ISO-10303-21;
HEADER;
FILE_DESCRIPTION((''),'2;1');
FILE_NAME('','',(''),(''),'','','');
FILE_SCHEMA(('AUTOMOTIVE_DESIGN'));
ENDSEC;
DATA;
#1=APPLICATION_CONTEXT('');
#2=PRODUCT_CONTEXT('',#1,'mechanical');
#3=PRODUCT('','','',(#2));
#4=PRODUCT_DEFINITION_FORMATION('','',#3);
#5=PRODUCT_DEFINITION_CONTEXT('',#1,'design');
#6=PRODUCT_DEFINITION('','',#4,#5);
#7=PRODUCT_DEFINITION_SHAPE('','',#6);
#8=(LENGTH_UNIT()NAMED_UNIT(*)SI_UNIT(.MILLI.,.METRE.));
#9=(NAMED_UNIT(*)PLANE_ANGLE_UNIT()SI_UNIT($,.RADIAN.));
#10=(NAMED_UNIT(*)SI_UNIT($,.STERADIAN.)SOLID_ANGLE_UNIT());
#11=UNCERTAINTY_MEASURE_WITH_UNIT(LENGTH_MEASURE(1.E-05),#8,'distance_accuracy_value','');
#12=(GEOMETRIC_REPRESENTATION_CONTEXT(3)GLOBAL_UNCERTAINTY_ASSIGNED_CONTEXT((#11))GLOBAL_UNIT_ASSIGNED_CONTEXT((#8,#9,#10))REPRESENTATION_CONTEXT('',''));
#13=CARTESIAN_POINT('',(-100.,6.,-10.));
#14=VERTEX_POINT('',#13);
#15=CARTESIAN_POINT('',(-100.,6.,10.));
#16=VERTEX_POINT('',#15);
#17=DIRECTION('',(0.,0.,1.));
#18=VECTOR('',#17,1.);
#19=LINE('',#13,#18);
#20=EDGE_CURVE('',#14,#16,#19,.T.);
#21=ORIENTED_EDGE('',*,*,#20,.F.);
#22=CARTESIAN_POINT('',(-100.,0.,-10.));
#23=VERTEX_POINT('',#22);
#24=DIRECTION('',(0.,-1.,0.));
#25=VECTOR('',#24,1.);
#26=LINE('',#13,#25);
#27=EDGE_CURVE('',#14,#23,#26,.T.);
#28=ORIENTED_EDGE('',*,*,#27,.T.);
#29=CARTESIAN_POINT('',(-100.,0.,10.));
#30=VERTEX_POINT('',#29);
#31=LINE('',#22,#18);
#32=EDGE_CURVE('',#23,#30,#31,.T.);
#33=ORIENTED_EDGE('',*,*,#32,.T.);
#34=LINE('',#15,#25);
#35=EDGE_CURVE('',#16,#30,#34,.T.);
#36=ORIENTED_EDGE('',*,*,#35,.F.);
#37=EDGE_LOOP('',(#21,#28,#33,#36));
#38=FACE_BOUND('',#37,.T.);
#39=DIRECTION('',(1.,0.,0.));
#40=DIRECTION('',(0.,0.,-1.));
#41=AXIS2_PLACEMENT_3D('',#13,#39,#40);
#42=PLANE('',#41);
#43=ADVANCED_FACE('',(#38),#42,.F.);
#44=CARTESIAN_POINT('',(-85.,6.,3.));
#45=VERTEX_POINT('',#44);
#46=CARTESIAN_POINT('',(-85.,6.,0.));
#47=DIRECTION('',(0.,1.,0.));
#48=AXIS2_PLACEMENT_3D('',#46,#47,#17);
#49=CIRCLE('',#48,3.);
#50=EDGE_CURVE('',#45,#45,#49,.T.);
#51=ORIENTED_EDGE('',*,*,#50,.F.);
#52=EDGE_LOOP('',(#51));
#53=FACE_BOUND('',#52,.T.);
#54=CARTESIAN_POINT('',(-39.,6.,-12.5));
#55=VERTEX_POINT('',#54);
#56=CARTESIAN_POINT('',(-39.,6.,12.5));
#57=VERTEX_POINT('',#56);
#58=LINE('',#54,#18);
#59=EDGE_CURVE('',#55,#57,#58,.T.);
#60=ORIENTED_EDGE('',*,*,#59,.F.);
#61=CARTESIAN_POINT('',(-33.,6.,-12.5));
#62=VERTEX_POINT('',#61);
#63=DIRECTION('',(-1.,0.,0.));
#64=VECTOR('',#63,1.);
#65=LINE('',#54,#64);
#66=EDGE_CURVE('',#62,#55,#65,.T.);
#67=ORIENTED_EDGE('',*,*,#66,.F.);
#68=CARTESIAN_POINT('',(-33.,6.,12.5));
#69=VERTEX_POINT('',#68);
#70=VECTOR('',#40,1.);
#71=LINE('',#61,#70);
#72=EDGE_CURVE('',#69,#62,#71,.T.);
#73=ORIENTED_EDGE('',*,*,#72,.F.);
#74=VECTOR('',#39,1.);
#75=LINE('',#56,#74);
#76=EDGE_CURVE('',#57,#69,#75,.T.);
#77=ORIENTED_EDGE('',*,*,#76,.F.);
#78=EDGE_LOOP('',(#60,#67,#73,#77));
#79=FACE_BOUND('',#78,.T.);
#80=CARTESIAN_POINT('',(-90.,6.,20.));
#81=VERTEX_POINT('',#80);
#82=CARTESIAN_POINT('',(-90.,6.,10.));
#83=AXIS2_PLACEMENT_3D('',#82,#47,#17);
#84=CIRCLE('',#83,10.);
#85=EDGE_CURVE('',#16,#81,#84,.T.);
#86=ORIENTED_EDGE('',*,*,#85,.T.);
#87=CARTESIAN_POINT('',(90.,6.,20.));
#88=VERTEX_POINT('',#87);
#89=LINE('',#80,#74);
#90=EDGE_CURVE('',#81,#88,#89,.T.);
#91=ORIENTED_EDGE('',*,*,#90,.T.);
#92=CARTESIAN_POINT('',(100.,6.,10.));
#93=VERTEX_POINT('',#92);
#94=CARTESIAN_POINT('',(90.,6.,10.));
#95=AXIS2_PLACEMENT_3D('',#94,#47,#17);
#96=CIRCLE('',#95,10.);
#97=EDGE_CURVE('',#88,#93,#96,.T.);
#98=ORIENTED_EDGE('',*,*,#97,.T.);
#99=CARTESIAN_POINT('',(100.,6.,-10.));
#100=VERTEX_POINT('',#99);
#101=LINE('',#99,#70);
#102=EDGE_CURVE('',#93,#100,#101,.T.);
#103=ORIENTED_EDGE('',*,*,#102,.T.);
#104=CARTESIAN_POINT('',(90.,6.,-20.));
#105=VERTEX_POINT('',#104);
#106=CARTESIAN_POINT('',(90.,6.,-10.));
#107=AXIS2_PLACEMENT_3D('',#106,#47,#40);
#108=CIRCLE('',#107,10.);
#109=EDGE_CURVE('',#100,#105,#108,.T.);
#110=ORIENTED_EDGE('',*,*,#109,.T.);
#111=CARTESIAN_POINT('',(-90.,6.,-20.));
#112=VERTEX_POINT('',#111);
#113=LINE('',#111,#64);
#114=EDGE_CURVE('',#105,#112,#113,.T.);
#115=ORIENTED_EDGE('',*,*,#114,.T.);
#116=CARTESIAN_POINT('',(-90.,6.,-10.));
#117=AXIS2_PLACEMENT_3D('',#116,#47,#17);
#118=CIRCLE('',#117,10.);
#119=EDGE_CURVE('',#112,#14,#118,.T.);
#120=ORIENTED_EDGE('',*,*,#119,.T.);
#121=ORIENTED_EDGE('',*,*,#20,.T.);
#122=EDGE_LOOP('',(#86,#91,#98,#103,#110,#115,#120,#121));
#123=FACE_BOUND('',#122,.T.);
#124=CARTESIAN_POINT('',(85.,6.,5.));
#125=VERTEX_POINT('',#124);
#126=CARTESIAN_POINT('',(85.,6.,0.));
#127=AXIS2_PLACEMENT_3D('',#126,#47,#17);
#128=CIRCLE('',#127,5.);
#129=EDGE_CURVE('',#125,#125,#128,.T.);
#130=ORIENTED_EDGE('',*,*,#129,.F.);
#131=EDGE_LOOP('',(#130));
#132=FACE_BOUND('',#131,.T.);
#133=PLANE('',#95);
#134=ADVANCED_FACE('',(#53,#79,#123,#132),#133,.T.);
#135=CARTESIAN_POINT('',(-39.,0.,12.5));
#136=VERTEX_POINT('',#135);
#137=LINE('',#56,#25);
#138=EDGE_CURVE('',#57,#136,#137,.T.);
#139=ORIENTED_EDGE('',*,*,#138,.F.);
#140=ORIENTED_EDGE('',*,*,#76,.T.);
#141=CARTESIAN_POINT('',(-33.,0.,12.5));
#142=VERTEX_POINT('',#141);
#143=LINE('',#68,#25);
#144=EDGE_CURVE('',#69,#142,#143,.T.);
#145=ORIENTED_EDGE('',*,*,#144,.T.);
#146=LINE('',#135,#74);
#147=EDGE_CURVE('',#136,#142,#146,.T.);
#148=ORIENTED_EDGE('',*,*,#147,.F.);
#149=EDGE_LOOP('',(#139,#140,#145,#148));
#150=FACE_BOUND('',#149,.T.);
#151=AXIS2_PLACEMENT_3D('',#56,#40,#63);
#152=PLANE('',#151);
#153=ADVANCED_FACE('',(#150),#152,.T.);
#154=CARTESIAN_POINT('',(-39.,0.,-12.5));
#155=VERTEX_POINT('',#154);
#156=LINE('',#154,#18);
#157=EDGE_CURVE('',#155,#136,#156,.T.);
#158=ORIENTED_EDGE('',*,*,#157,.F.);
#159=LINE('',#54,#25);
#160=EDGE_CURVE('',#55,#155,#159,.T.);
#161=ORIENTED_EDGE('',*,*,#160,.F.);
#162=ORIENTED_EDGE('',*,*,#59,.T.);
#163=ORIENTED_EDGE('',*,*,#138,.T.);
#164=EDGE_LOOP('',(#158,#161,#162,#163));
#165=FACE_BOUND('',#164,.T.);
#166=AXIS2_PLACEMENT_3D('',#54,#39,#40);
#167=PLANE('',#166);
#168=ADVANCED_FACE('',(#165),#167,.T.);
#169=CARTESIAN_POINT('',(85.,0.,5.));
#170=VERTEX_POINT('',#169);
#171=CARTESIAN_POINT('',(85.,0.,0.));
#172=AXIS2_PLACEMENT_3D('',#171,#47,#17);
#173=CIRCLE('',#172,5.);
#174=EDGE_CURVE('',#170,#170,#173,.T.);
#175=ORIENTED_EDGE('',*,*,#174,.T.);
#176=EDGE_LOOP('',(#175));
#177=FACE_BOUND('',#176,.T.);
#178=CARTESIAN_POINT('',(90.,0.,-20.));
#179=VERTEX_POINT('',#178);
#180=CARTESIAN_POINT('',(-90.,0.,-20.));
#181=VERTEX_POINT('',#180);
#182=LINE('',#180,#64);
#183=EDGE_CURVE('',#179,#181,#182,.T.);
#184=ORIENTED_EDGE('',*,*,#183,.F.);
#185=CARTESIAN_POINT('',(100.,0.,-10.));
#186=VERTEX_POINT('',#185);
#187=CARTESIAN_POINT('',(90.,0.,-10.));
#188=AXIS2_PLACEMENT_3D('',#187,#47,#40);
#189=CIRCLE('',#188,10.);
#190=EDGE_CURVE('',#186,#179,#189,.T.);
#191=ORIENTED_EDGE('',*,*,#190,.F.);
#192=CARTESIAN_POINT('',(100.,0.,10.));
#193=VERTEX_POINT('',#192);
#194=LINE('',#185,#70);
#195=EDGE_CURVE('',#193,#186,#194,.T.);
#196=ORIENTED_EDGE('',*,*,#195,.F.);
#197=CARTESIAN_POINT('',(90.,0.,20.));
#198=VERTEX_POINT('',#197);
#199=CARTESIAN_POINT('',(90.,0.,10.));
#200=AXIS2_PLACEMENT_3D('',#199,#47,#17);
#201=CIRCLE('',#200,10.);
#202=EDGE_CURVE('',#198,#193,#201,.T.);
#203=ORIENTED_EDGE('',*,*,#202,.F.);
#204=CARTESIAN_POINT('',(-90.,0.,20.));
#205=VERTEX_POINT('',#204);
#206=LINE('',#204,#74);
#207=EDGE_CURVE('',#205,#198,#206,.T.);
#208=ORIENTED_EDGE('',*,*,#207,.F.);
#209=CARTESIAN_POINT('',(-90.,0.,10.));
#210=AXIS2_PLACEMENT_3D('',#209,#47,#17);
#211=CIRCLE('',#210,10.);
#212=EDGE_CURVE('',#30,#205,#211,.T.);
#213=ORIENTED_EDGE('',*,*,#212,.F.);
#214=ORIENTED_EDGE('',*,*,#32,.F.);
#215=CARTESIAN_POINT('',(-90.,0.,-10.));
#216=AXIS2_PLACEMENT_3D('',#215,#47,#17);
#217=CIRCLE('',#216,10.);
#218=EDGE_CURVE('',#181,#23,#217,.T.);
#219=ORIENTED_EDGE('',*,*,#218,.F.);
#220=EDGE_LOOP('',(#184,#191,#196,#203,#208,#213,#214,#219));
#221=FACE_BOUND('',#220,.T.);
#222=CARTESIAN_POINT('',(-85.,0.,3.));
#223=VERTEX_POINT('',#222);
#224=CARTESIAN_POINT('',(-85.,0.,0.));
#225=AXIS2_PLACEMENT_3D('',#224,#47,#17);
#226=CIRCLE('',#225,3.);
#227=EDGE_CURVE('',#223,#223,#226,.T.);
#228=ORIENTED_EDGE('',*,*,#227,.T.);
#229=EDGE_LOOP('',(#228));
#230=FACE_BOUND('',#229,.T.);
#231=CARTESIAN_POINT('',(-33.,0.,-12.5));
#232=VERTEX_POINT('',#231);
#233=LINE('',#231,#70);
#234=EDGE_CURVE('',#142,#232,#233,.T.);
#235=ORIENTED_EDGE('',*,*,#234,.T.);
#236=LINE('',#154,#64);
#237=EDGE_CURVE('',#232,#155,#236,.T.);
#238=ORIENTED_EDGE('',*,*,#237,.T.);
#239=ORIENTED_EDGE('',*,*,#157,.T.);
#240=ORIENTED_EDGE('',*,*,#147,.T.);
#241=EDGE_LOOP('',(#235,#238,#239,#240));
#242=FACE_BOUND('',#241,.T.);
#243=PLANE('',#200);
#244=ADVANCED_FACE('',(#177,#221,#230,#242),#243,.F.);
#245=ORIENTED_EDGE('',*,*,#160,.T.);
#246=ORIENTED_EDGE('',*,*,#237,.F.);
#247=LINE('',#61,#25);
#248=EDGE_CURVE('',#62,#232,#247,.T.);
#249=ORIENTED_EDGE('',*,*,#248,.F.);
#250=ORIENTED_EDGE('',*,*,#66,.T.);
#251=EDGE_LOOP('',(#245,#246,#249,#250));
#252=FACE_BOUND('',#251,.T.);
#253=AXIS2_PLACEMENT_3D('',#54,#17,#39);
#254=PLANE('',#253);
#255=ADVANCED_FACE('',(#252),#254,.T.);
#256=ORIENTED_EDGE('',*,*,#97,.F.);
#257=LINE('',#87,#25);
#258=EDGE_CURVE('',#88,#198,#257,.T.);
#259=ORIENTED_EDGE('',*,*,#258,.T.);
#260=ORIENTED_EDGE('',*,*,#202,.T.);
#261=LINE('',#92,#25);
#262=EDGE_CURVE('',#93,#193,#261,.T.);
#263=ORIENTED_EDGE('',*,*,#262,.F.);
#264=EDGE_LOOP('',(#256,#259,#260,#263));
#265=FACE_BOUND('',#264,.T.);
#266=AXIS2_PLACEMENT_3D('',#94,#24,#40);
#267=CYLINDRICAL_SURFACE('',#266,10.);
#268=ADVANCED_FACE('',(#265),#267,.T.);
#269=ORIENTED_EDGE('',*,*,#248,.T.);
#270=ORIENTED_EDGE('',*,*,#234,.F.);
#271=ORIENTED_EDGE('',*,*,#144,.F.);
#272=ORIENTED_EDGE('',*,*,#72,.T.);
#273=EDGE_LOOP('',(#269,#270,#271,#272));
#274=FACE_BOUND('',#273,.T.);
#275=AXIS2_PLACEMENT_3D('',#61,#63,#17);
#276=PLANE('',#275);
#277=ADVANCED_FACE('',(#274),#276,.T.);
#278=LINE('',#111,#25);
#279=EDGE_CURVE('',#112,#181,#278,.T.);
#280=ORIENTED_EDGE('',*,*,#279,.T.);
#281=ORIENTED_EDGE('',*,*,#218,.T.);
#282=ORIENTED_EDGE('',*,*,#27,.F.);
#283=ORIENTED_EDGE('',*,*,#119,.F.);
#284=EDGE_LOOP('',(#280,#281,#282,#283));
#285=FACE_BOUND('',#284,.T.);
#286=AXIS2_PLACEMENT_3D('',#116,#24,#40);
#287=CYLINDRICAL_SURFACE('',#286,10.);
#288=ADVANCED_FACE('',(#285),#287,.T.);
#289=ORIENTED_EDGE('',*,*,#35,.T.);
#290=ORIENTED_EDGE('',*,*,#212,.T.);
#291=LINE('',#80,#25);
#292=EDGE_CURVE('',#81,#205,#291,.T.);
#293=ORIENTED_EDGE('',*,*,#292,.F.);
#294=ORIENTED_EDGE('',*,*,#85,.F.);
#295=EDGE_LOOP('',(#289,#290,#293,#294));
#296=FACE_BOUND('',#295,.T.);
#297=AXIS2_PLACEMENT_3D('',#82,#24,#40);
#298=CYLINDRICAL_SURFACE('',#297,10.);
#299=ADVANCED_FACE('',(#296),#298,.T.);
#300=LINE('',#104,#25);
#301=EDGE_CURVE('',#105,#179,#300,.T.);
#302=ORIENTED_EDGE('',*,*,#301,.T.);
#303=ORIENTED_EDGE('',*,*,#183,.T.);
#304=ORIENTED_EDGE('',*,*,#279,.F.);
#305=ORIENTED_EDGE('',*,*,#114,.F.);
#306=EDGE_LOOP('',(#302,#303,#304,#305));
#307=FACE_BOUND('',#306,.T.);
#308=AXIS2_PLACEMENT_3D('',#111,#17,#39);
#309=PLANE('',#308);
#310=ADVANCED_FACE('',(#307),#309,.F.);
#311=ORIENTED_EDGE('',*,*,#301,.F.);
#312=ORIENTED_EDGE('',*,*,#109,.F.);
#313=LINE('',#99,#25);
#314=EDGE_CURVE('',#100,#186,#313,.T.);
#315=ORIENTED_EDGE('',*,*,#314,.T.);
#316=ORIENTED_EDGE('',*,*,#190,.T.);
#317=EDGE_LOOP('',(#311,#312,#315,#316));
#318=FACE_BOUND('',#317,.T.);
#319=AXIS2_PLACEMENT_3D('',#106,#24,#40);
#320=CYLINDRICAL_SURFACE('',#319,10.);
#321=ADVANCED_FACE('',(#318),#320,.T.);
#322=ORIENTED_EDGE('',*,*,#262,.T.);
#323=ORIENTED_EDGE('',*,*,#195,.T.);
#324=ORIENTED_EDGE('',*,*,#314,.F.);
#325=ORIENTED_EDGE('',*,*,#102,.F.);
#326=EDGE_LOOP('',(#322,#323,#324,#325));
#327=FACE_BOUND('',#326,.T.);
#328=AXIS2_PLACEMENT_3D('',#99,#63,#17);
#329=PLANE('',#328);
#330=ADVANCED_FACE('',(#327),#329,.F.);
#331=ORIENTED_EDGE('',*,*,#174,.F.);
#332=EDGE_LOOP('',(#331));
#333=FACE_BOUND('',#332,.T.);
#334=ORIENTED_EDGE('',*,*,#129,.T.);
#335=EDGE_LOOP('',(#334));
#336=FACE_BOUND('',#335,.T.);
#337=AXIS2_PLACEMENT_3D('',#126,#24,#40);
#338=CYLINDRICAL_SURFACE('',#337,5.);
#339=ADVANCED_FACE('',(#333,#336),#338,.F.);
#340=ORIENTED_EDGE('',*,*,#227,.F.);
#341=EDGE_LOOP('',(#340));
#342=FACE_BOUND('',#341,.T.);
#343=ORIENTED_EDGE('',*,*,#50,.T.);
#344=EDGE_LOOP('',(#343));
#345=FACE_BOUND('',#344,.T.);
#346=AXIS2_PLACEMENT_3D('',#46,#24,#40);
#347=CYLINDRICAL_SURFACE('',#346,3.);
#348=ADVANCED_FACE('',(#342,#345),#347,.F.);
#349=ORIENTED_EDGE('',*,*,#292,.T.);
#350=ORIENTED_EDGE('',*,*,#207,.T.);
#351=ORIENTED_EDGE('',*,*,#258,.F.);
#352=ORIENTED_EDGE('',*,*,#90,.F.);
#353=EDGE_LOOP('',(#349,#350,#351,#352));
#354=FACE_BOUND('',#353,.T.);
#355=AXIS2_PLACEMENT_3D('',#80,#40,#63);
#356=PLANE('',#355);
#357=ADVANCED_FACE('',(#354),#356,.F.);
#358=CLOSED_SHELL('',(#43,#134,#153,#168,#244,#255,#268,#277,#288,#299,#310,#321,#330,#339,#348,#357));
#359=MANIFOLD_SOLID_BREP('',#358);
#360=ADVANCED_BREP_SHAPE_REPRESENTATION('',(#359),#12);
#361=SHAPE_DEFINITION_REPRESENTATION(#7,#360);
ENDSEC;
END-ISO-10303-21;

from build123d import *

# Parameters (mm, degrees)
SKETCH2_R           = 5
SKETCH2_R_2         = 3
SKETCH2_W           = 6
SKETCH2_H           = 25
BOSS_EXTRUDE1_DEPTH = 6


with BuildPart() as part:
    # Sketch2 → Boss-Extrude1 (new body)
    with BuildSketch(Plane(origin=(0, 0, 0), x_dir=(1, 0, 0), z_dir=(0, 1, 0))):
        with BuildLine():
            Line((-90, 20), (90, 20))
            ThreePointArc((90, 20), (97.071067812, 17.071067812), (100, 10))
            Line((100, 10), (100, -10))
            ThreePointArc((100, -10), (97.071067812, -17.071067812), (90, -20))
            Line((90, -20), (-90, -20))
            ThreePointArc((-90, -20), (-97.071067812, -17.071067812), (-100, -10))
            Line((-100, -10), (-100, 10))
            ThreePointArc((-100, 10), (-97.071067812, 17.071067812), (-90, 20))
        make_face()
        with Locations((85, 0)):
            Circle(SKETCH2_R, mode=Mode.SUBTRACT)
        with Locations((-85, 0)):
            Circle(SKETCH2_R_2, mode=Mode.SUBTRACT)
        with Locations((-36, 0)):
            Rectangle(SKETCH2_W, SKETCH2_H, mode=Mode.SUBTRACT)
    extrude(amount=BOSS_EXTRUDE1_DEPTH)


solid = part.part
